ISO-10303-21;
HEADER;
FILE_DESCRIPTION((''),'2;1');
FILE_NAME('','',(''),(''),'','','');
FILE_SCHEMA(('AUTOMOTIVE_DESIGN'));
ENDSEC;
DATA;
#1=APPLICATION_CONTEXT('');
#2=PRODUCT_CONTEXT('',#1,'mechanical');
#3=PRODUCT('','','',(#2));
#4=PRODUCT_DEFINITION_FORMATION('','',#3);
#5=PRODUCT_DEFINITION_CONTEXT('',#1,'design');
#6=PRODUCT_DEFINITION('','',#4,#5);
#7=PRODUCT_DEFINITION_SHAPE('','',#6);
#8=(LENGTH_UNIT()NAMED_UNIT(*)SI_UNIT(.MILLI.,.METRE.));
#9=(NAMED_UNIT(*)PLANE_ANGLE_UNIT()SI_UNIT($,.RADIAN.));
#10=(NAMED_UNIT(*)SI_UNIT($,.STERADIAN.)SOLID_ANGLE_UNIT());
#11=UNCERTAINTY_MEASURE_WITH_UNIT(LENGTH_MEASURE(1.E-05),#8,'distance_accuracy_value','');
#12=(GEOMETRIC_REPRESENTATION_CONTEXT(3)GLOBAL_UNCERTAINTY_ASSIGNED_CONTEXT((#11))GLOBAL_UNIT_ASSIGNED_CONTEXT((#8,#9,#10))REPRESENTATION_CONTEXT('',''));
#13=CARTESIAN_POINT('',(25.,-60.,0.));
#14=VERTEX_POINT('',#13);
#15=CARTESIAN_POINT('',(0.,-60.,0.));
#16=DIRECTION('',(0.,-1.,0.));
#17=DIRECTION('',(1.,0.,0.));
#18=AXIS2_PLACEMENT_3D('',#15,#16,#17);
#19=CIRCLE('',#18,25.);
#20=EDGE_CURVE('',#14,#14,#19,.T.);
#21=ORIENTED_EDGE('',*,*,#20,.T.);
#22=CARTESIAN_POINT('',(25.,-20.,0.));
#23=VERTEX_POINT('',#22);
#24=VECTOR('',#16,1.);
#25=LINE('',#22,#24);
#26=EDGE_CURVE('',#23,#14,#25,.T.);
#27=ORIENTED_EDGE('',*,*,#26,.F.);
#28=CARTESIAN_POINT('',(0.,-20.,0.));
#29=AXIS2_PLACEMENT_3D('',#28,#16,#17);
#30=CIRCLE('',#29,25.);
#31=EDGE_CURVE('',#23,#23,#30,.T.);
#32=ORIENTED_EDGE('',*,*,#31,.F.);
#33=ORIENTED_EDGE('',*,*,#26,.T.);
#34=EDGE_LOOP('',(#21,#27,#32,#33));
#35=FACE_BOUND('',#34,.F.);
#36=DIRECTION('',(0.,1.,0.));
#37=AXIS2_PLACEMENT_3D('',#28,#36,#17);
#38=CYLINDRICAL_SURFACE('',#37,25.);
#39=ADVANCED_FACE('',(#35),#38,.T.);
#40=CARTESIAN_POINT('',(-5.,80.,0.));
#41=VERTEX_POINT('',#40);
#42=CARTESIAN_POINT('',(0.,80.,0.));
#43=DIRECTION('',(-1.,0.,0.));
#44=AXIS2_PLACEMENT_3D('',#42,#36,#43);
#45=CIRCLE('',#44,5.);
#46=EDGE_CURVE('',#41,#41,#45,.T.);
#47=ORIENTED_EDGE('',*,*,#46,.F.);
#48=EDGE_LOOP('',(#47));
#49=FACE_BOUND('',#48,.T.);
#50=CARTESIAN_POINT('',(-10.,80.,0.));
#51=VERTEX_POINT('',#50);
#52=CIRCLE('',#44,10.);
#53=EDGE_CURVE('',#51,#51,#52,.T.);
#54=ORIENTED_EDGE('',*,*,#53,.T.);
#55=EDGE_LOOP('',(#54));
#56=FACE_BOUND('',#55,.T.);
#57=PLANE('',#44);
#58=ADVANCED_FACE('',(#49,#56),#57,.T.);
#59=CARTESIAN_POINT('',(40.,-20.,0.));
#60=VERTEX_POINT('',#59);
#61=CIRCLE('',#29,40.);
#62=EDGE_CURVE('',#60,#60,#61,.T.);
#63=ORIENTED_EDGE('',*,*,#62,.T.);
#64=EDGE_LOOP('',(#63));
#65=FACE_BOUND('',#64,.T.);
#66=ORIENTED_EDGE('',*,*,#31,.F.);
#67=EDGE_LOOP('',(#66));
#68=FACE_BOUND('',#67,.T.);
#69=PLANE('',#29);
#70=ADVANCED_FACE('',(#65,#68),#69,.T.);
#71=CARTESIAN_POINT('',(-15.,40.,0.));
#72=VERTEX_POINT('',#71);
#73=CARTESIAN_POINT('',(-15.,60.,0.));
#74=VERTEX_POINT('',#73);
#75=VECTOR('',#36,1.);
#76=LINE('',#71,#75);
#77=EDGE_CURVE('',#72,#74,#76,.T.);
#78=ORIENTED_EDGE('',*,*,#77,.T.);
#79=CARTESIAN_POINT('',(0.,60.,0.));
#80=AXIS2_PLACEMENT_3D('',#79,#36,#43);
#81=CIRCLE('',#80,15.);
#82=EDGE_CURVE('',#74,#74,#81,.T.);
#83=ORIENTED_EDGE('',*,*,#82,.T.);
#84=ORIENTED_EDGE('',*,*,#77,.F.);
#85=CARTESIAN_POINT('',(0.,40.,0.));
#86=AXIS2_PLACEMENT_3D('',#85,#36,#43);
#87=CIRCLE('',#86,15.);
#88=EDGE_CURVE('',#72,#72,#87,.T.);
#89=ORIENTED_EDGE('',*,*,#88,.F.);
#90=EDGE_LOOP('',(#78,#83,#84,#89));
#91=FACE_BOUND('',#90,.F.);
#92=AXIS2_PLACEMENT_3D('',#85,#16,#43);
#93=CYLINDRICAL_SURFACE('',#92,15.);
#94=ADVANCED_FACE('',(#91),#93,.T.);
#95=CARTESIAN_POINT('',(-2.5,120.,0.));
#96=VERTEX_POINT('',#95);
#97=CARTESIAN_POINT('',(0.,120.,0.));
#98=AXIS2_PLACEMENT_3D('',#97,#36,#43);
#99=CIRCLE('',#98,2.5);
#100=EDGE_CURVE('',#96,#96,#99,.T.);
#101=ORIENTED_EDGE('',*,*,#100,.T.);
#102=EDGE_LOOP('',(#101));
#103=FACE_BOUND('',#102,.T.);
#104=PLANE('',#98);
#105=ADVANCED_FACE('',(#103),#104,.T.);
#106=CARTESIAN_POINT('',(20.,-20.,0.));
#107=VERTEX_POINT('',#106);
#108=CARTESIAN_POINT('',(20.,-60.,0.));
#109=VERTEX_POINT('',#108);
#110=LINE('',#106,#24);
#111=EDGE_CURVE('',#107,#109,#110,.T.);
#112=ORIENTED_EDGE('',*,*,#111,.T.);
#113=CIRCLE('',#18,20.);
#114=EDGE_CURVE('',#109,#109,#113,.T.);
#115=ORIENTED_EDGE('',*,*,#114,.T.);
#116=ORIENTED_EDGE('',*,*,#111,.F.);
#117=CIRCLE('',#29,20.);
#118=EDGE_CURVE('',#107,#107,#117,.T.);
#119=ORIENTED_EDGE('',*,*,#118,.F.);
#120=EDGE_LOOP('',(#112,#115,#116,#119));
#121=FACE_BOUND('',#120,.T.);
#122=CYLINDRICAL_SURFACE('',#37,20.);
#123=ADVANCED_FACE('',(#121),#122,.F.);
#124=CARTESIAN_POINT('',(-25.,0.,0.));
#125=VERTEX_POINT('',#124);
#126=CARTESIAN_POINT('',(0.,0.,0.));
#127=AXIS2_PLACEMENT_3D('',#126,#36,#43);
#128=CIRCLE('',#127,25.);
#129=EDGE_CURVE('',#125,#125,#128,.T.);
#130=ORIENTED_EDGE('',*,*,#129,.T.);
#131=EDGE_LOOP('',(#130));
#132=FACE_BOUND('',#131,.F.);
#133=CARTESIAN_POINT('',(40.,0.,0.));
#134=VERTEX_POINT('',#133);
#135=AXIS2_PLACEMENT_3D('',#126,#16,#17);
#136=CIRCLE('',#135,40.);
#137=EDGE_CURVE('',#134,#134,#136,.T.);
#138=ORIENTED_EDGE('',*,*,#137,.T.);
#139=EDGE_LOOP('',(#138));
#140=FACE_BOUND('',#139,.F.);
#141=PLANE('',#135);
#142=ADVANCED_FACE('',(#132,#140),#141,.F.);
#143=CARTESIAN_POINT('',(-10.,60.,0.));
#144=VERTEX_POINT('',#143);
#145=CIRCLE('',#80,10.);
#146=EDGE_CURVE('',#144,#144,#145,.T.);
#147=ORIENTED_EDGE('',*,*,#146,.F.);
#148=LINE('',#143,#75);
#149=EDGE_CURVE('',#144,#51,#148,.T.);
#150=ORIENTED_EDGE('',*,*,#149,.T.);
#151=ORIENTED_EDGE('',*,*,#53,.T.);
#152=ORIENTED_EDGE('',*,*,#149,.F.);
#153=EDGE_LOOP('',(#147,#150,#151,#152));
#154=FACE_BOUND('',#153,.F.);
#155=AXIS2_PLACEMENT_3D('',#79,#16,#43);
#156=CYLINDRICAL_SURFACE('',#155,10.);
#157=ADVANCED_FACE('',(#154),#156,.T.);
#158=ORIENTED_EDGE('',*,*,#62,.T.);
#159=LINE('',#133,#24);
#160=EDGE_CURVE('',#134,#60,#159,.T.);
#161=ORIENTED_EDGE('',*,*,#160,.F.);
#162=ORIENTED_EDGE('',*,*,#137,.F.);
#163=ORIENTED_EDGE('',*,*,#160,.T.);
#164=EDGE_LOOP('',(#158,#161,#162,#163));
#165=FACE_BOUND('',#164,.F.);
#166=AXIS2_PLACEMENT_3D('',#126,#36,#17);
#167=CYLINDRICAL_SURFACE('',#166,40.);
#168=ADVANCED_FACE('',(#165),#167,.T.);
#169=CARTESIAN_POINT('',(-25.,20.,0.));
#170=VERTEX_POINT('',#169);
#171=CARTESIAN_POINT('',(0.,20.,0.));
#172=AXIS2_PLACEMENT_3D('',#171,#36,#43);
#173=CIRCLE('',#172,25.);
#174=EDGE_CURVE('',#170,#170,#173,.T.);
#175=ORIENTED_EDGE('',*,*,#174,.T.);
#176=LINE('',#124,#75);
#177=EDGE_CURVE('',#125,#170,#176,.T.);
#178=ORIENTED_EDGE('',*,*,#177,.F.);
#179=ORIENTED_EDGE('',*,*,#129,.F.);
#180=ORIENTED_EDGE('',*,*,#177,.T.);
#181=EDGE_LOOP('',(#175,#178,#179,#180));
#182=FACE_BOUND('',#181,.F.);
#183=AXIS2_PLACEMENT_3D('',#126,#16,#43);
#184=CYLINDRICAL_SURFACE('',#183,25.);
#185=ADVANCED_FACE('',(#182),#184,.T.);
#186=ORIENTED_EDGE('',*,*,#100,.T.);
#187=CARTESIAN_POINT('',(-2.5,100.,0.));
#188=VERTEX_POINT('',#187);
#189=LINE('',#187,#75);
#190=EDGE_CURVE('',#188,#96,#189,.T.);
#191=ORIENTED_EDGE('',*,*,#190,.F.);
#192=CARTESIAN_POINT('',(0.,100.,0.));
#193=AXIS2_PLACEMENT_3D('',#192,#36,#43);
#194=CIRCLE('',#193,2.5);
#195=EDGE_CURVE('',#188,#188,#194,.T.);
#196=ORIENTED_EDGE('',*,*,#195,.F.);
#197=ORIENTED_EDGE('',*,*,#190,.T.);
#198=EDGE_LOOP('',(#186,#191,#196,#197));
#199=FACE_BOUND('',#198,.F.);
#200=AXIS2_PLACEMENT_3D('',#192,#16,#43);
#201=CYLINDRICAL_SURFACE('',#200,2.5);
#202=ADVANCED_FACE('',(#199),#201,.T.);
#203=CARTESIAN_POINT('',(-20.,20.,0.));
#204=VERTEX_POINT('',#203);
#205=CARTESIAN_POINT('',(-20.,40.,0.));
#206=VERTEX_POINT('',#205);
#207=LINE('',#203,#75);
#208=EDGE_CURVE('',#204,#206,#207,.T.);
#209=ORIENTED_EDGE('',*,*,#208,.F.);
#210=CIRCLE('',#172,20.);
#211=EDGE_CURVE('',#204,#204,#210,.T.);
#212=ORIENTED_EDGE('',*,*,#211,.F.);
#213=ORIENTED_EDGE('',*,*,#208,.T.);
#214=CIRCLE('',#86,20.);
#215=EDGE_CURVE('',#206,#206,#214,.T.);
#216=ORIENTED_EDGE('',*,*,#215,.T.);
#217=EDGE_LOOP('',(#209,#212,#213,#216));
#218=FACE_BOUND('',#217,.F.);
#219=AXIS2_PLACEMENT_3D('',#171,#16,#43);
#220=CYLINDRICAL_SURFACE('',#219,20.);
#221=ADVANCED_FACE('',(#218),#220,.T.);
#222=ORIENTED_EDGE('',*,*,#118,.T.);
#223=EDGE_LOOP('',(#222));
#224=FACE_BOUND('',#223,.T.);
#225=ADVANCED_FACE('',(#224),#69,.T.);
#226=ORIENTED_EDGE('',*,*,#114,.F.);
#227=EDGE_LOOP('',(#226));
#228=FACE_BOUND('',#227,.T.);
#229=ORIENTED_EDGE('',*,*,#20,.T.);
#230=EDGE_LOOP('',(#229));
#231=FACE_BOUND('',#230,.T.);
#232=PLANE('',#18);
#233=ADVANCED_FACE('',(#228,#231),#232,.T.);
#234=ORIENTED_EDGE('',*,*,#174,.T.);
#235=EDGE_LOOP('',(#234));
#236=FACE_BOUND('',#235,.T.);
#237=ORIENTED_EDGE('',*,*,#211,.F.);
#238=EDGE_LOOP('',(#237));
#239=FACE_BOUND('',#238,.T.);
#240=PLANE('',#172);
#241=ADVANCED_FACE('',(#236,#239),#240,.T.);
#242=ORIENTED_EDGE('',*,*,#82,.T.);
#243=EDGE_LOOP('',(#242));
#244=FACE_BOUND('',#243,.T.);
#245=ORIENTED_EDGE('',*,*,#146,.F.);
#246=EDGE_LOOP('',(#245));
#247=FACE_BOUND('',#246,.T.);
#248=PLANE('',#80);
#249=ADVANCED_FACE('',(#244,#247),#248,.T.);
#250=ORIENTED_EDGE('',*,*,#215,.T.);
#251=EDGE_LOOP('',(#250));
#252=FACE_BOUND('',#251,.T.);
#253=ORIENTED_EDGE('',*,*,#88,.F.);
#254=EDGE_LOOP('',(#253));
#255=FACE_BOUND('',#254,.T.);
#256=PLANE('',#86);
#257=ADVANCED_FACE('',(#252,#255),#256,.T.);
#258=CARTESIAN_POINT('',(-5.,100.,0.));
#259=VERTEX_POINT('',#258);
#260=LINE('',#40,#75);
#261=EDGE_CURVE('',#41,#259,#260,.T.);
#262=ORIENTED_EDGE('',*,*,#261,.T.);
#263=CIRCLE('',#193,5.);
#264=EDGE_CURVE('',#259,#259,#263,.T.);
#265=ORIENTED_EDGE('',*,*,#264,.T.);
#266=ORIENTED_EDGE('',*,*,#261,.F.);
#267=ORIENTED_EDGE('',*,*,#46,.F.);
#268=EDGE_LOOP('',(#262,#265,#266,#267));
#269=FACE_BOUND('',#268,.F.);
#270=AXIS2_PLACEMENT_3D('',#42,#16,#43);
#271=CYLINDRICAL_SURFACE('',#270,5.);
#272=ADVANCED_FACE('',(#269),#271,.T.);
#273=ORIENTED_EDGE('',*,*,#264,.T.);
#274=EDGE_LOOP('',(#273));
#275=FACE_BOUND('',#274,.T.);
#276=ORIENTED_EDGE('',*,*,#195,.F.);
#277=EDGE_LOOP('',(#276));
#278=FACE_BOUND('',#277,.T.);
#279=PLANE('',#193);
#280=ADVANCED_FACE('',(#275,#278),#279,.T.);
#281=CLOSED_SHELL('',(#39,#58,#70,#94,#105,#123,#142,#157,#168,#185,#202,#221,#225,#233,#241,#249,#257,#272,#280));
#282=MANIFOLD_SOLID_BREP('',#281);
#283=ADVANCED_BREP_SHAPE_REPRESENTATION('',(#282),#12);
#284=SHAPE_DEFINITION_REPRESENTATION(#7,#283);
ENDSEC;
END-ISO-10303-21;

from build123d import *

# Parameters (mm, degrees)
F0_R      = 40
F1_DEPTH  = 20
F2_R      = 25
F2_R_2    = 20
F3_DEPTH  = 40
F4_R      = 25
F5_DEPTH  = 20
F6_R      = 20
F7_DEPTH  = 20
F8_R      = 15
F9_DEPTH  = 20
F10_R     = 10
F11_DEPTH = 20
F12_R     = 5
F13_DEPTH = 20
F14_R     = 2.5
F15_DEPTH = 20


with BuildPart() as f1:
    # F0 (on Front) → F1 (new body)
    with BuildSketch(Plane.XZ):
        Circle(F0_R)
    extrude(amount=F1_DEPTH)

    # F2 (on face) → F3 (join)
    with BuildSketch(Plane.XZ.offset(20)):
        Circle(F2_R)
        Circle(F2_R_2, mode=Mode.SUBTRACT)
    extrude(amount=F3_DEPTH)

    # F4 (on face) → F5 (join)
    with BuildSketch(Plane(origin=(0, 0, 0), x_dir=(-1, 0, 0), z_dir=(0, 1, 0))):
        Circle(F4_R)
    extrude(amount=F5_DEPTH)

    # F6 (on face) → F7 (join)
    with BuildSketch(Plane(origin=(0, 20, 0), x_dir=(-1, 0, 0), z_dir=(0, 1, 0))):
        Circle(F6_R)
    extrude(amount=F7_DEPTH)

    # F8 (on face) → F9 (join)
    with BuildSketch(Plane(origin=(0, 40, 0), x_dir=(-1, 0, 0), z_dir=(0, 1, 0))):
        Circle(F8_R)
    extrude(amount=F9_DEPTH)

    # F10 (on face) → F11 (join)
    with BuildSketch(Plane(origin=(0, 60, 0), x_dir=(-1, 0, 0), z_dir=(0, 1, 0))):
        Circle(F10_R)
    extrude(amount=F11_DEPTH)

    # F12 (on face) → F13 (join)
    with BuildSketch(Plane(origin=(0, 80, 0), x_dir=(-1, 0, 0), z_dir=(0, 1, 0))):
        Circle(F12_R)
    extrude(amount=F13_DEPTH)

    # F14 (on face) → F15 (join)
    with BuildSketch(Plane(origin=(0, 100, 0), x_dir=(-1, 0, 0), z_dir=(0, 1, 0))):
        Circle(F14_R)
    extrude(amount=F15_DEPTH)


solid = f1.part
